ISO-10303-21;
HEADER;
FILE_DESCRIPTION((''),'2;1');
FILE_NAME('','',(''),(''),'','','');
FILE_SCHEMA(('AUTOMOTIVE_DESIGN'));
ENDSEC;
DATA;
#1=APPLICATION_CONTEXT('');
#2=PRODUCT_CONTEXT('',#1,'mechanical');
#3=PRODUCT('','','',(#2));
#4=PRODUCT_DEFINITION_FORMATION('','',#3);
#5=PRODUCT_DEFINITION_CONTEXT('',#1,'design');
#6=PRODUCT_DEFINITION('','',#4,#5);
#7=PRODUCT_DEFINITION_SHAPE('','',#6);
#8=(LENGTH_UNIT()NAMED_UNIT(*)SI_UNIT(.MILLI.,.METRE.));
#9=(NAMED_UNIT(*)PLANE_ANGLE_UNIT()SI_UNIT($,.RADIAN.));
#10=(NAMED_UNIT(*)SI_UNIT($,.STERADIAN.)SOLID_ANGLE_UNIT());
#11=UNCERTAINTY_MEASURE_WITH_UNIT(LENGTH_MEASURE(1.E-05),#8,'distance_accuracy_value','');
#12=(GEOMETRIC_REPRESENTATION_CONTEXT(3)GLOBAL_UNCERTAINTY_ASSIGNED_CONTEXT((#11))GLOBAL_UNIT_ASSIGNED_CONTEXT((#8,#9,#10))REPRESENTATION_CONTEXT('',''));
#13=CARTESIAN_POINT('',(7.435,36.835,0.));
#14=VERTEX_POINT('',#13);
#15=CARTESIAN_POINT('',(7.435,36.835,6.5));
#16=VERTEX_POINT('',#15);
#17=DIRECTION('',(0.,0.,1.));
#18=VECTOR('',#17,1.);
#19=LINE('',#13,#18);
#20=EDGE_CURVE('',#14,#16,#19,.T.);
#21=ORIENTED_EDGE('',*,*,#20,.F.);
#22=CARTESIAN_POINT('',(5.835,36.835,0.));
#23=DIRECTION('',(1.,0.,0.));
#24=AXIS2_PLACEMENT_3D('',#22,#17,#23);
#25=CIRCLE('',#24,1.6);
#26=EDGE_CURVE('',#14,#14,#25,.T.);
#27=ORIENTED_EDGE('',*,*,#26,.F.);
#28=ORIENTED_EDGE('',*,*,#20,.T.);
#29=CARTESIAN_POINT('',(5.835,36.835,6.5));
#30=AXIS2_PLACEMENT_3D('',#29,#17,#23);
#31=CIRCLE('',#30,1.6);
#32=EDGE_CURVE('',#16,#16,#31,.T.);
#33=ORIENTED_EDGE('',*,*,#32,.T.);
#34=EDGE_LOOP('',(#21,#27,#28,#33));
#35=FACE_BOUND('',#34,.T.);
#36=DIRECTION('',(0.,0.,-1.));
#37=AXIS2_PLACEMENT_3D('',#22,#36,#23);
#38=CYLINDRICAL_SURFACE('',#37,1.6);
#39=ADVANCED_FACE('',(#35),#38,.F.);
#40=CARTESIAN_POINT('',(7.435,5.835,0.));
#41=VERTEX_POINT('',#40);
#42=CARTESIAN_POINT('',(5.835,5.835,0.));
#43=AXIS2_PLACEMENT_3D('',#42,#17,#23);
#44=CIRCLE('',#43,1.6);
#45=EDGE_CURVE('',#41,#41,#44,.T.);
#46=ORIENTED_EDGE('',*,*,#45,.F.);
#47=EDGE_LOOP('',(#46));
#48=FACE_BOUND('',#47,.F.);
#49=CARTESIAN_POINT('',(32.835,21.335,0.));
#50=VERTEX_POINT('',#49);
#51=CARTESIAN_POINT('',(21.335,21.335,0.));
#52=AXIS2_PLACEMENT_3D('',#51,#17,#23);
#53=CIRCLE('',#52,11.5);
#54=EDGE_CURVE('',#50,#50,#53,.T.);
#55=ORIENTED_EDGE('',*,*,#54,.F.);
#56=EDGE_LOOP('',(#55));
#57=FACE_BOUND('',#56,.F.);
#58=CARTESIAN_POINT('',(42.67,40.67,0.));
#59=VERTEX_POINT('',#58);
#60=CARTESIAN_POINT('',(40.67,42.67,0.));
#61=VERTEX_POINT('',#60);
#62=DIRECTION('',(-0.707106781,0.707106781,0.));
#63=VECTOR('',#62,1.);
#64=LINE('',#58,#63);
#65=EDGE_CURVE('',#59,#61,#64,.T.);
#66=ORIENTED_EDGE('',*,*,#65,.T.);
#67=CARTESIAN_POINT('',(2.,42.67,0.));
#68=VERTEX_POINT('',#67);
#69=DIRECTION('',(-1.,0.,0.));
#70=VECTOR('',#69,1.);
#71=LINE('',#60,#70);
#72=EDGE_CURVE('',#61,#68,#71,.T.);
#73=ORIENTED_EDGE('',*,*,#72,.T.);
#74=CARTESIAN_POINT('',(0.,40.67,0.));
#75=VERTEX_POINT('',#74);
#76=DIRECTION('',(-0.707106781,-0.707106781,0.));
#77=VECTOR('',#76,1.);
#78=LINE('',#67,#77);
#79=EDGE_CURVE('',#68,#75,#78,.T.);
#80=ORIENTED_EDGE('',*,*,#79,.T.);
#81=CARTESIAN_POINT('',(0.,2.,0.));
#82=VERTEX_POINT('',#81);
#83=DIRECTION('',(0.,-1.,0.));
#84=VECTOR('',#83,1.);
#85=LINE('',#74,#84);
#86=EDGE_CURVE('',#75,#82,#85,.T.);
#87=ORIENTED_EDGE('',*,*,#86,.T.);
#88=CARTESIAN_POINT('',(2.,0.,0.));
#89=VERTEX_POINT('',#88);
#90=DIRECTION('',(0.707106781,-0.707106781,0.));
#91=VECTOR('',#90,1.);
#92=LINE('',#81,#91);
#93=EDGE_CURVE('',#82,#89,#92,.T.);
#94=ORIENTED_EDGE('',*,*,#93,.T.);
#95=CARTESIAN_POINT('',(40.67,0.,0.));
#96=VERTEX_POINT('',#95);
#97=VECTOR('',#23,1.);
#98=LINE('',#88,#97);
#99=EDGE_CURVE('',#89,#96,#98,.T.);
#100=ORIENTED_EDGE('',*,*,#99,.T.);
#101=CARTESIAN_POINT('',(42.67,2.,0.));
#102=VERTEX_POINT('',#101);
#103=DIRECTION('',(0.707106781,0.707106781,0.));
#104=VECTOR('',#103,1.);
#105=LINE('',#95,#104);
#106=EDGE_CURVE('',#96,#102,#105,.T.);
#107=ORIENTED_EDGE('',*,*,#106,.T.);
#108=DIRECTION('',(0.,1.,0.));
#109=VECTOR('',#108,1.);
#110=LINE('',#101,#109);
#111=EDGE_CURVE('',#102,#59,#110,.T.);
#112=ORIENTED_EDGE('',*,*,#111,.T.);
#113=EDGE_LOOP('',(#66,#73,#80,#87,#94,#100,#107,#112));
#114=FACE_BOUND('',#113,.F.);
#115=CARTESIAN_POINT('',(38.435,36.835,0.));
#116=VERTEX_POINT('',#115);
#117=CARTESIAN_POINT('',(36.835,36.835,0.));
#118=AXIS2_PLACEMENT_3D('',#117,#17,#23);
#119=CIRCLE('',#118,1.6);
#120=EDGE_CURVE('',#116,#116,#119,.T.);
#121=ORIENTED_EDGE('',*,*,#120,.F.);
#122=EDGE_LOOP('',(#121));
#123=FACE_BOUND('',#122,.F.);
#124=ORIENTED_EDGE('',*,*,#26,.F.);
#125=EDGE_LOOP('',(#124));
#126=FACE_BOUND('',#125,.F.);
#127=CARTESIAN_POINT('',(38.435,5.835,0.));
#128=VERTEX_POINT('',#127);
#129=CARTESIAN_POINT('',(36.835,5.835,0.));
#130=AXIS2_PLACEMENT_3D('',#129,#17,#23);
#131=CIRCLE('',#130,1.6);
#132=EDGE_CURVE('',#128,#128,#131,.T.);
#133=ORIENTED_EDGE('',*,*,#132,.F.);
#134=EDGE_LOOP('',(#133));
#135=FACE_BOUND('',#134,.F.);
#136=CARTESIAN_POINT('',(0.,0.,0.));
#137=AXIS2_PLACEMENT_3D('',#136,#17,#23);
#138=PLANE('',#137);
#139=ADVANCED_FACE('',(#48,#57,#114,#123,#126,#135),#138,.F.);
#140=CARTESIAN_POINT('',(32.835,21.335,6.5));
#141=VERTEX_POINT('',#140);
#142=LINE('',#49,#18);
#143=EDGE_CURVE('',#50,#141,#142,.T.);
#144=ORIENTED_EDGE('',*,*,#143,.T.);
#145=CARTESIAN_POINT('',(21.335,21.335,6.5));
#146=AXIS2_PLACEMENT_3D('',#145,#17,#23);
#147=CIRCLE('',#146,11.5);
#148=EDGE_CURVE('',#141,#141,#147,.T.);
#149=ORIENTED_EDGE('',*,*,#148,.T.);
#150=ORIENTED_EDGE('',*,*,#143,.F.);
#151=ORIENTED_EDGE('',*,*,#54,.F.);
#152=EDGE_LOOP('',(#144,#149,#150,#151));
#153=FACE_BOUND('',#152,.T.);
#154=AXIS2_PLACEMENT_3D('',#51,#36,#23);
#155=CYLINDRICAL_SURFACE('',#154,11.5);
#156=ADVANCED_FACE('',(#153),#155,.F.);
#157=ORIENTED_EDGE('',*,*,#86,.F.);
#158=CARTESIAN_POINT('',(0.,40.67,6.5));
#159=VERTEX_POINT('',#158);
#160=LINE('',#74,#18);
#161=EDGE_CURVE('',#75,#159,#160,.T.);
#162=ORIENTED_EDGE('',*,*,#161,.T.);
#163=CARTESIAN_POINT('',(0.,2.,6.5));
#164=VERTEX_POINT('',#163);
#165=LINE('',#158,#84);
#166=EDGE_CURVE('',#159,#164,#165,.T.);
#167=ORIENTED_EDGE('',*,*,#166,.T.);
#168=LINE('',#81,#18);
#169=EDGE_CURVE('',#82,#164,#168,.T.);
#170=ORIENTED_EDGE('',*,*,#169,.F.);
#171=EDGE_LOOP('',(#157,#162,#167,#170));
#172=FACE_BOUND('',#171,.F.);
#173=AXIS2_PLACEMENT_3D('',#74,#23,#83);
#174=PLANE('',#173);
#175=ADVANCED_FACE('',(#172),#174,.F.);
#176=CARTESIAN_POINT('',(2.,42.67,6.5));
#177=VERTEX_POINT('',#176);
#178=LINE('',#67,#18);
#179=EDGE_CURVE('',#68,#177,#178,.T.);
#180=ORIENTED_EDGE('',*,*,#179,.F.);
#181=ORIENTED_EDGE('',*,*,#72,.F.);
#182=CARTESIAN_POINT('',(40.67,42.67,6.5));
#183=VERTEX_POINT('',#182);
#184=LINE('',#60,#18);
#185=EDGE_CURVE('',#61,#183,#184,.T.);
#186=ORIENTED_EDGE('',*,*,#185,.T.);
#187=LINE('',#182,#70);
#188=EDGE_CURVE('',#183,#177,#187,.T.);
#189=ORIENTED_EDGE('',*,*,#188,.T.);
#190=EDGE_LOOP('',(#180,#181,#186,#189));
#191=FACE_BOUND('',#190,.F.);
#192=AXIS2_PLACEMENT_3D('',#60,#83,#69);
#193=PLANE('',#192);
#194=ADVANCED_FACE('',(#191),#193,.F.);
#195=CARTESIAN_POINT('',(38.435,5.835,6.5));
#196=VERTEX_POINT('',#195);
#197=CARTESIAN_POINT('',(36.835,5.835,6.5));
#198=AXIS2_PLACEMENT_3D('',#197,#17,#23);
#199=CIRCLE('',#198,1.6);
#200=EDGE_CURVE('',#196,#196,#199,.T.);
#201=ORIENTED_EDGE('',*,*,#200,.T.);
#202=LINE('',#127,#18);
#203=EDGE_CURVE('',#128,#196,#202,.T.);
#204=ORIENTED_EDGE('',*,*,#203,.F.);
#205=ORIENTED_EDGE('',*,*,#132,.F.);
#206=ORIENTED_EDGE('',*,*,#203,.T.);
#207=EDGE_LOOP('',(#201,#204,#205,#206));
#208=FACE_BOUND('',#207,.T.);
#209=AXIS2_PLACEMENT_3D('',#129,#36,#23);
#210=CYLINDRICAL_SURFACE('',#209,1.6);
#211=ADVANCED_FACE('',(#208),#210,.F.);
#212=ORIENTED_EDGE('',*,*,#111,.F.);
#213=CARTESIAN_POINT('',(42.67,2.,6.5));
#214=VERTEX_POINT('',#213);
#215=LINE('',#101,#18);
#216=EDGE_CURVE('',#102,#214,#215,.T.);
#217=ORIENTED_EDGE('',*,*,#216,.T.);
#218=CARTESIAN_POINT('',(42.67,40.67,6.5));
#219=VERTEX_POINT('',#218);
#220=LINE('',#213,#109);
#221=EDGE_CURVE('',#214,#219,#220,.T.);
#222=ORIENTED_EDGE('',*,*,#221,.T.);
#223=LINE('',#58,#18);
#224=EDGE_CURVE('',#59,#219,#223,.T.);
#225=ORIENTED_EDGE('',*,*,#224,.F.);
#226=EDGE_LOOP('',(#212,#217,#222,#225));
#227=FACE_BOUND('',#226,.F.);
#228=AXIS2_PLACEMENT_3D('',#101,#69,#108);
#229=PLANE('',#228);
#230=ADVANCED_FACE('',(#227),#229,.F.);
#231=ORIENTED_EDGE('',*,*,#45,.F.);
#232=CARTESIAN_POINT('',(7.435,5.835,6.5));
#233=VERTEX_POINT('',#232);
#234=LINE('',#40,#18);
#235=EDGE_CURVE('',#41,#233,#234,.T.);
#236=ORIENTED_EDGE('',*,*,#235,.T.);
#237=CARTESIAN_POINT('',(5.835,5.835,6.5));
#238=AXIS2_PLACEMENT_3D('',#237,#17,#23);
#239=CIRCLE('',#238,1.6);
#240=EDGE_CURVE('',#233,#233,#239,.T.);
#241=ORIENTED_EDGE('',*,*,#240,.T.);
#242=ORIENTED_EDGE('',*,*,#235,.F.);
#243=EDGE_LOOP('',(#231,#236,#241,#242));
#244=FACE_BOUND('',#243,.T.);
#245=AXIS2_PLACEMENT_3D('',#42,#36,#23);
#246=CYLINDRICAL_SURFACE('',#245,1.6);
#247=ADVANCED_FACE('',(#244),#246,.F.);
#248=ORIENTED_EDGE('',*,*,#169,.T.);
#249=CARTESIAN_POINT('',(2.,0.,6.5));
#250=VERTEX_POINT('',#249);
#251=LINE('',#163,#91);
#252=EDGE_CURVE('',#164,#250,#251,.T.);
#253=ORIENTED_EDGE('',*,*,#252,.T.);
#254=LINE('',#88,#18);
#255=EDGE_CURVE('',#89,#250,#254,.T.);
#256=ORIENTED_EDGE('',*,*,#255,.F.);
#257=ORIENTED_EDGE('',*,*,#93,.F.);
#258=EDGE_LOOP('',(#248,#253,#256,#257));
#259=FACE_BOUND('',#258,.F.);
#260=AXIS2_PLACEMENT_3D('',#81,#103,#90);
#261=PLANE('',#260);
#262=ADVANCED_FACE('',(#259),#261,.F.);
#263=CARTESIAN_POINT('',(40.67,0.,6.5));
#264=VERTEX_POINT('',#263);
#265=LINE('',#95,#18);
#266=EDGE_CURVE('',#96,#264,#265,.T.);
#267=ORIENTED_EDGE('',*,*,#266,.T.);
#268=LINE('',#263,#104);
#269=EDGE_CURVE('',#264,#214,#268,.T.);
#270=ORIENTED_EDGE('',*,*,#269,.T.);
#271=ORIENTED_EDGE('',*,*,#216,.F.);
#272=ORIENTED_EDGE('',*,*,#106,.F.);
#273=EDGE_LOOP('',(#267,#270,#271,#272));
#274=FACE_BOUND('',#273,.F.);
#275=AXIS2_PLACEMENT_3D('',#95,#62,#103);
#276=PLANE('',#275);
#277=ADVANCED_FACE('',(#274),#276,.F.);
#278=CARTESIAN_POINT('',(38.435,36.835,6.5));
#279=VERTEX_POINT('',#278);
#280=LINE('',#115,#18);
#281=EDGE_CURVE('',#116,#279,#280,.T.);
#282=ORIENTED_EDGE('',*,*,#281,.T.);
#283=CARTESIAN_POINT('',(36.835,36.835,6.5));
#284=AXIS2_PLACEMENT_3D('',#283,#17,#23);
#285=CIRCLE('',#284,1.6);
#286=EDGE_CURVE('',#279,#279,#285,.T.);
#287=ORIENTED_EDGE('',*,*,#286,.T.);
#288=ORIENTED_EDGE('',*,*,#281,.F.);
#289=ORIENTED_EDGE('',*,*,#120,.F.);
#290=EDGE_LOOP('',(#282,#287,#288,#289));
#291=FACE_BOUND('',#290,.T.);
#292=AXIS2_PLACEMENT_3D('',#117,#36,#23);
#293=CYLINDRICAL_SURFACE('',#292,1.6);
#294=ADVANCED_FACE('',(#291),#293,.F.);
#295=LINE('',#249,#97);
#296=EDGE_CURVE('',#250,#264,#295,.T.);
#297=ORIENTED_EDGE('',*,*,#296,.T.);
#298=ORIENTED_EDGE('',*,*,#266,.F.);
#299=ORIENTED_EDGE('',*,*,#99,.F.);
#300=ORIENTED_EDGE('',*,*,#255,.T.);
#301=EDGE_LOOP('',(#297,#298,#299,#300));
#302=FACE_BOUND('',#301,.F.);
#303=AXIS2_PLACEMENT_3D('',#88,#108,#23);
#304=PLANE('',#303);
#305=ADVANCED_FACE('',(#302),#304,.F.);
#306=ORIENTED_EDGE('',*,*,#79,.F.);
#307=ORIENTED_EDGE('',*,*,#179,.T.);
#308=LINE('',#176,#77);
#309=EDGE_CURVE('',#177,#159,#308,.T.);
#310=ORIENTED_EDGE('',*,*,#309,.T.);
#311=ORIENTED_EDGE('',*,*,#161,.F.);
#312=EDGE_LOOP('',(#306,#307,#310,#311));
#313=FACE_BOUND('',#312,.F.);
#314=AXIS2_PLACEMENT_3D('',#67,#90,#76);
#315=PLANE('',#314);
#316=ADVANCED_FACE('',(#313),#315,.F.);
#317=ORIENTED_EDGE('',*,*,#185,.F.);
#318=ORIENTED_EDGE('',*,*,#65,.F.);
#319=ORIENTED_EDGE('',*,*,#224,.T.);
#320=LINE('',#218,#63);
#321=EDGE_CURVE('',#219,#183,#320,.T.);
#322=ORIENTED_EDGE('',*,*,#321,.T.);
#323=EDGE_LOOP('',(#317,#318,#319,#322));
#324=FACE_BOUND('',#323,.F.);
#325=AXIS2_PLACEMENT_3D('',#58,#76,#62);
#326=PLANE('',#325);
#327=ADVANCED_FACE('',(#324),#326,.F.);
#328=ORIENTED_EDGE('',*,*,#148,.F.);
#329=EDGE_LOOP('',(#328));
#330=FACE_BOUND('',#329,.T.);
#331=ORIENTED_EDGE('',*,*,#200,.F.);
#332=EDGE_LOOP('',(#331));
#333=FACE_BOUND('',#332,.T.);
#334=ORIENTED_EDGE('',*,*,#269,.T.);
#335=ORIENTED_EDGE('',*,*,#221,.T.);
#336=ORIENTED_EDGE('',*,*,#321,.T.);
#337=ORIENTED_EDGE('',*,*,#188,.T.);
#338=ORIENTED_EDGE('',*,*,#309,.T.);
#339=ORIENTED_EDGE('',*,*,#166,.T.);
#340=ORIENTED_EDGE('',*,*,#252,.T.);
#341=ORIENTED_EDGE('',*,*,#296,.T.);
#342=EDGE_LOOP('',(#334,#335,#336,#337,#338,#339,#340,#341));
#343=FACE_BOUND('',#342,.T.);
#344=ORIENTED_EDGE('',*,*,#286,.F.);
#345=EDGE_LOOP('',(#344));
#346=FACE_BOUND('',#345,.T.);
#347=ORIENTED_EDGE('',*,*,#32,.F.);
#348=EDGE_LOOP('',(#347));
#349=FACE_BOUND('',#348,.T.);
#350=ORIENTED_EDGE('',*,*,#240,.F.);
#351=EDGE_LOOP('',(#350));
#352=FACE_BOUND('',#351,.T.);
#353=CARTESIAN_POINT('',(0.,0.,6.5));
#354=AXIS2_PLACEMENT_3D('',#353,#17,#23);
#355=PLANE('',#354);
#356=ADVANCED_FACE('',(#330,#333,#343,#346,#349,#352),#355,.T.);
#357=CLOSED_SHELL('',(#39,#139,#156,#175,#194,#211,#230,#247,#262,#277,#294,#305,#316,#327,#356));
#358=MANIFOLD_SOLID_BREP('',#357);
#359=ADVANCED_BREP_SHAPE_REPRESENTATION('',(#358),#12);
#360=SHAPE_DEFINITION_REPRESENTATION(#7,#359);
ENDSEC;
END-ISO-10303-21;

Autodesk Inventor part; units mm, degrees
ref_plane "YZ Plane" through (0, 0, 0) normal (1, 0, 0) x (0, 1, 0)
ref_plane "XZ Plane" through (0, 0, 0) normal (0, 1, 0) x (-1, 0, 0)
ref_plane "XY Plane" through (0, 0, 0) normal (0, 0, 1) x (1, 0, 0)
sketch "Sketch1" plane through (0, 0, 0) normal (0, 0, 1) x (1, 0, 0)
  line L0 (2, 0) -> (40.67, 0)
  line L1 (42.67, 2) -> (42.67, 40.67)
  line L2 (40.67, 42.67) -> (2, 42.67)
  line L3 (0, 40.67) -> (0, 2)
  line L4 (2, 42.67) -> (0, 40.67)
  line L5 (0, 2) -> (2, 0)
  line L6 (40.67, 0) -> (42.67, 2)
  line L7 (42.67, 40.67) -> (40.67, 42.67)
  circle A0 centre (21.335, 21.335) radius 11.5
  line L8 (5.835, 36.835) -> (36.835, 36.835) construction
  line L9 (36.835, 36.835) -> (36.835, 5.835) construction
  line L10 (36.835, 5.835) -> (5.835, 5.835) construction
  line L11 (5.835, 5.835) -> (5.835, 36.835) construction
  circle A1 centre (5.835, 36.835) radius 1.6
  circle A2 centre (36.835, 36.835) radius 1.6
  circle A3 centre (36.835, 5.835) radius 1.6
  circle A4 centre (5.835, 5.835) radius 1.6
  point P0 (0, 0)
  point P1 (42.67, 42.67)
  point P2 (42.67, 0)
  point P3 (0, 42.67)
  point P4 (42.67, 21.335)
  point P5 (21.335, 42.67)
  point P6 (21.335, 36.835)
  point P7 (36.835, 21.335)
  dimension "d0" = 2
  dimension "d1" = 2
  dimension "d2" = 2
  dimension "d3" = 2
  dimension "d4" = 2
  dimension "d5" = 2
  dimension "d6" = 2
  dimension "d7" = 2
  dimension "d8" = 42.67
  dimension "d9" = 42.67
  dimension "d10" = 23
  dimension "d11" = 31
  dimension "d12" = 31
  dimension "d13" = 3.2
  dimension "d14" = 3.2
  dimension "d15" = 3.2
  dimension "d16" = 3.2
extrude "Extrusion1" add sketch "Sketch1" along normal blind 6.5
equation "\"d1\" = d0"
equation "\"d2\" = d0"
equation "\"d3\" = d2"
equation "\"d4\" = d0"
equation "\"d5\" = d4"
equation "\"d6\" = d0"
equation "\"d7\" = d6"
properties part number "x_motor_spacer" material "Plywood, Finish"
